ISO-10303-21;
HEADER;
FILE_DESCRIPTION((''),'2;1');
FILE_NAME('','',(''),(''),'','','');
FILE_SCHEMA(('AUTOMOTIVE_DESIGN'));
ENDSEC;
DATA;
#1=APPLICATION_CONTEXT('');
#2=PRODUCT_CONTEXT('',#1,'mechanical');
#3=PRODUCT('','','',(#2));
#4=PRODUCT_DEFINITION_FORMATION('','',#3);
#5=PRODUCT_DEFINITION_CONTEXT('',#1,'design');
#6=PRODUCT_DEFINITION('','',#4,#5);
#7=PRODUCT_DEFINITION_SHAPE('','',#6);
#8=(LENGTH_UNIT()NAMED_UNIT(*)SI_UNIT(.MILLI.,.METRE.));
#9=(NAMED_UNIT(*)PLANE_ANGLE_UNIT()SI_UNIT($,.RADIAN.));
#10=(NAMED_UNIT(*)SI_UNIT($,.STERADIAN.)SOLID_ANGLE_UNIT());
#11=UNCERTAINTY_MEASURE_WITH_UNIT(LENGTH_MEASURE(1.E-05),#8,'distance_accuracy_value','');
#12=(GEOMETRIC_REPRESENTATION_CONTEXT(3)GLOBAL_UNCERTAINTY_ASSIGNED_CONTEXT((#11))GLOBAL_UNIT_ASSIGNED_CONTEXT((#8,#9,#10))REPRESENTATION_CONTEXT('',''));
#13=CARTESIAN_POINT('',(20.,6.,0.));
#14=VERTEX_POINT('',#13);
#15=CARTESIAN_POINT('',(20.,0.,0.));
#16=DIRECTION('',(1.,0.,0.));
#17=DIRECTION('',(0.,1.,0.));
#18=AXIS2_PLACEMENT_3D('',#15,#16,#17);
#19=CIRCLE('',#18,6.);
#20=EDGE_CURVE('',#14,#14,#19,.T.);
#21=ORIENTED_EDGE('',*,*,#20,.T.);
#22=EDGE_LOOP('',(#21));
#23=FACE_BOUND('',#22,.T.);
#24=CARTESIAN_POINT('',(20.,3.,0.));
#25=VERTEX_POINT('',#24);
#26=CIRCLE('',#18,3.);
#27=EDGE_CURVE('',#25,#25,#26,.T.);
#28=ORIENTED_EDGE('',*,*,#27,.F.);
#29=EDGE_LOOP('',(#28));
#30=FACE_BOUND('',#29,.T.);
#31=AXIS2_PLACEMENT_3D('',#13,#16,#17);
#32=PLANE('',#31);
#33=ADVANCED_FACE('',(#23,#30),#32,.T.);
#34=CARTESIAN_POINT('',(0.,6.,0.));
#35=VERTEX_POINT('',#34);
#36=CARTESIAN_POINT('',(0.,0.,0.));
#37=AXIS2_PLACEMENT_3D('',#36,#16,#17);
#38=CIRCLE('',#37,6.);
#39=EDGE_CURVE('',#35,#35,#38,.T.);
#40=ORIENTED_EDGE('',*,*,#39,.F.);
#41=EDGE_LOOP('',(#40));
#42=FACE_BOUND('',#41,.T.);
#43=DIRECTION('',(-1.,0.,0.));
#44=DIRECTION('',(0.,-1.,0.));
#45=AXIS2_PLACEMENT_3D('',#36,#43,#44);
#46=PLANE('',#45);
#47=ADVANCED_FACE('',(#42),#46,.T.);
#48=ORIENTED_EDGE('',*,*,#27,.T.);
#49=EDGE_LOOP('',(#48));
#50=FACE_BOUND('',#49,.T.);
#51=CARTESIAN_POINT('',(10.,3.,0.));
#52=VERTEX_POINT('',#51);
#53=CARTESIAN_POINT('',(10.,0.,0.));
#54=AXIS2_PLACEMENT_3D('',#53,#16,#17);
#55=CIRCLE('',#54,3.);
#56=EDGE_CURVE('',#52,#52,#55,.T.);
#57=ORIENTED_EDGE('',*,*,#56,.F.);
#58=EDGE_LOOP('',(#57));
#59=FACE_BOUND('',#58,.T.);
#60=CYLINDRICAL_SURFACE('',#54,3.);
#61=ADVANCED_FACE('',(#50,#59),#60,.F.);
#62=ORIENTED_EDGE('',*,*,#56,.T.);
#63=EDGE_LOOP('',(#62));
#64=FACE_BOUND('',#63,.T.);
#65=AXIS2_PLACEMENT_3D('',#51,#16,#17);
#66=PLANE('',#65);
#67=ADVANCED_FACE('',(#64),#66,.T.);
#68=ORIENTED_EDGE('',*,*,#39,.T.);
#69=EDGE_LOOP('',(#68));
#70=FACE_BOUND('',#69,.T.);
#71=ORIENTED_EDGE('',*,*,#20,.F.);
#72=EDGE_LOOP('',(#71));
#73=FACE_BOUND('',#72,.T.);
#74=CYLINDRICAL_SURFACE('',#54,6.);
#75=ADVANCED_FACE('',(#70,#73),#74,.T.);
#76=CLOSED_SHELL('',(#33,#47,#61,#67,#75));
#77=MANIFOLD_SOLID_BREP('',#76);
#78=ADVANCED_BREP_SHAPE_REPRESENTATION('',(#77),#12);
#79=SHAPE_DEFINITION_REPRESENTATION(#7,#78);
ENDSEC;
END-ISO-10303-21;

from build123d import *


with BuildPart() as part:
    # Esquisse1 → Révolution1 (revolve)
    with BuildSketch(Plane.XY):
        Polygon((0, 0), (0, 6), (20, 6), (20, 3), (10, 3), (10, 0), align=None)
    revolve(axis=Axis((10, 0, 0), (-1, 0, 0)))


solid = part.part
